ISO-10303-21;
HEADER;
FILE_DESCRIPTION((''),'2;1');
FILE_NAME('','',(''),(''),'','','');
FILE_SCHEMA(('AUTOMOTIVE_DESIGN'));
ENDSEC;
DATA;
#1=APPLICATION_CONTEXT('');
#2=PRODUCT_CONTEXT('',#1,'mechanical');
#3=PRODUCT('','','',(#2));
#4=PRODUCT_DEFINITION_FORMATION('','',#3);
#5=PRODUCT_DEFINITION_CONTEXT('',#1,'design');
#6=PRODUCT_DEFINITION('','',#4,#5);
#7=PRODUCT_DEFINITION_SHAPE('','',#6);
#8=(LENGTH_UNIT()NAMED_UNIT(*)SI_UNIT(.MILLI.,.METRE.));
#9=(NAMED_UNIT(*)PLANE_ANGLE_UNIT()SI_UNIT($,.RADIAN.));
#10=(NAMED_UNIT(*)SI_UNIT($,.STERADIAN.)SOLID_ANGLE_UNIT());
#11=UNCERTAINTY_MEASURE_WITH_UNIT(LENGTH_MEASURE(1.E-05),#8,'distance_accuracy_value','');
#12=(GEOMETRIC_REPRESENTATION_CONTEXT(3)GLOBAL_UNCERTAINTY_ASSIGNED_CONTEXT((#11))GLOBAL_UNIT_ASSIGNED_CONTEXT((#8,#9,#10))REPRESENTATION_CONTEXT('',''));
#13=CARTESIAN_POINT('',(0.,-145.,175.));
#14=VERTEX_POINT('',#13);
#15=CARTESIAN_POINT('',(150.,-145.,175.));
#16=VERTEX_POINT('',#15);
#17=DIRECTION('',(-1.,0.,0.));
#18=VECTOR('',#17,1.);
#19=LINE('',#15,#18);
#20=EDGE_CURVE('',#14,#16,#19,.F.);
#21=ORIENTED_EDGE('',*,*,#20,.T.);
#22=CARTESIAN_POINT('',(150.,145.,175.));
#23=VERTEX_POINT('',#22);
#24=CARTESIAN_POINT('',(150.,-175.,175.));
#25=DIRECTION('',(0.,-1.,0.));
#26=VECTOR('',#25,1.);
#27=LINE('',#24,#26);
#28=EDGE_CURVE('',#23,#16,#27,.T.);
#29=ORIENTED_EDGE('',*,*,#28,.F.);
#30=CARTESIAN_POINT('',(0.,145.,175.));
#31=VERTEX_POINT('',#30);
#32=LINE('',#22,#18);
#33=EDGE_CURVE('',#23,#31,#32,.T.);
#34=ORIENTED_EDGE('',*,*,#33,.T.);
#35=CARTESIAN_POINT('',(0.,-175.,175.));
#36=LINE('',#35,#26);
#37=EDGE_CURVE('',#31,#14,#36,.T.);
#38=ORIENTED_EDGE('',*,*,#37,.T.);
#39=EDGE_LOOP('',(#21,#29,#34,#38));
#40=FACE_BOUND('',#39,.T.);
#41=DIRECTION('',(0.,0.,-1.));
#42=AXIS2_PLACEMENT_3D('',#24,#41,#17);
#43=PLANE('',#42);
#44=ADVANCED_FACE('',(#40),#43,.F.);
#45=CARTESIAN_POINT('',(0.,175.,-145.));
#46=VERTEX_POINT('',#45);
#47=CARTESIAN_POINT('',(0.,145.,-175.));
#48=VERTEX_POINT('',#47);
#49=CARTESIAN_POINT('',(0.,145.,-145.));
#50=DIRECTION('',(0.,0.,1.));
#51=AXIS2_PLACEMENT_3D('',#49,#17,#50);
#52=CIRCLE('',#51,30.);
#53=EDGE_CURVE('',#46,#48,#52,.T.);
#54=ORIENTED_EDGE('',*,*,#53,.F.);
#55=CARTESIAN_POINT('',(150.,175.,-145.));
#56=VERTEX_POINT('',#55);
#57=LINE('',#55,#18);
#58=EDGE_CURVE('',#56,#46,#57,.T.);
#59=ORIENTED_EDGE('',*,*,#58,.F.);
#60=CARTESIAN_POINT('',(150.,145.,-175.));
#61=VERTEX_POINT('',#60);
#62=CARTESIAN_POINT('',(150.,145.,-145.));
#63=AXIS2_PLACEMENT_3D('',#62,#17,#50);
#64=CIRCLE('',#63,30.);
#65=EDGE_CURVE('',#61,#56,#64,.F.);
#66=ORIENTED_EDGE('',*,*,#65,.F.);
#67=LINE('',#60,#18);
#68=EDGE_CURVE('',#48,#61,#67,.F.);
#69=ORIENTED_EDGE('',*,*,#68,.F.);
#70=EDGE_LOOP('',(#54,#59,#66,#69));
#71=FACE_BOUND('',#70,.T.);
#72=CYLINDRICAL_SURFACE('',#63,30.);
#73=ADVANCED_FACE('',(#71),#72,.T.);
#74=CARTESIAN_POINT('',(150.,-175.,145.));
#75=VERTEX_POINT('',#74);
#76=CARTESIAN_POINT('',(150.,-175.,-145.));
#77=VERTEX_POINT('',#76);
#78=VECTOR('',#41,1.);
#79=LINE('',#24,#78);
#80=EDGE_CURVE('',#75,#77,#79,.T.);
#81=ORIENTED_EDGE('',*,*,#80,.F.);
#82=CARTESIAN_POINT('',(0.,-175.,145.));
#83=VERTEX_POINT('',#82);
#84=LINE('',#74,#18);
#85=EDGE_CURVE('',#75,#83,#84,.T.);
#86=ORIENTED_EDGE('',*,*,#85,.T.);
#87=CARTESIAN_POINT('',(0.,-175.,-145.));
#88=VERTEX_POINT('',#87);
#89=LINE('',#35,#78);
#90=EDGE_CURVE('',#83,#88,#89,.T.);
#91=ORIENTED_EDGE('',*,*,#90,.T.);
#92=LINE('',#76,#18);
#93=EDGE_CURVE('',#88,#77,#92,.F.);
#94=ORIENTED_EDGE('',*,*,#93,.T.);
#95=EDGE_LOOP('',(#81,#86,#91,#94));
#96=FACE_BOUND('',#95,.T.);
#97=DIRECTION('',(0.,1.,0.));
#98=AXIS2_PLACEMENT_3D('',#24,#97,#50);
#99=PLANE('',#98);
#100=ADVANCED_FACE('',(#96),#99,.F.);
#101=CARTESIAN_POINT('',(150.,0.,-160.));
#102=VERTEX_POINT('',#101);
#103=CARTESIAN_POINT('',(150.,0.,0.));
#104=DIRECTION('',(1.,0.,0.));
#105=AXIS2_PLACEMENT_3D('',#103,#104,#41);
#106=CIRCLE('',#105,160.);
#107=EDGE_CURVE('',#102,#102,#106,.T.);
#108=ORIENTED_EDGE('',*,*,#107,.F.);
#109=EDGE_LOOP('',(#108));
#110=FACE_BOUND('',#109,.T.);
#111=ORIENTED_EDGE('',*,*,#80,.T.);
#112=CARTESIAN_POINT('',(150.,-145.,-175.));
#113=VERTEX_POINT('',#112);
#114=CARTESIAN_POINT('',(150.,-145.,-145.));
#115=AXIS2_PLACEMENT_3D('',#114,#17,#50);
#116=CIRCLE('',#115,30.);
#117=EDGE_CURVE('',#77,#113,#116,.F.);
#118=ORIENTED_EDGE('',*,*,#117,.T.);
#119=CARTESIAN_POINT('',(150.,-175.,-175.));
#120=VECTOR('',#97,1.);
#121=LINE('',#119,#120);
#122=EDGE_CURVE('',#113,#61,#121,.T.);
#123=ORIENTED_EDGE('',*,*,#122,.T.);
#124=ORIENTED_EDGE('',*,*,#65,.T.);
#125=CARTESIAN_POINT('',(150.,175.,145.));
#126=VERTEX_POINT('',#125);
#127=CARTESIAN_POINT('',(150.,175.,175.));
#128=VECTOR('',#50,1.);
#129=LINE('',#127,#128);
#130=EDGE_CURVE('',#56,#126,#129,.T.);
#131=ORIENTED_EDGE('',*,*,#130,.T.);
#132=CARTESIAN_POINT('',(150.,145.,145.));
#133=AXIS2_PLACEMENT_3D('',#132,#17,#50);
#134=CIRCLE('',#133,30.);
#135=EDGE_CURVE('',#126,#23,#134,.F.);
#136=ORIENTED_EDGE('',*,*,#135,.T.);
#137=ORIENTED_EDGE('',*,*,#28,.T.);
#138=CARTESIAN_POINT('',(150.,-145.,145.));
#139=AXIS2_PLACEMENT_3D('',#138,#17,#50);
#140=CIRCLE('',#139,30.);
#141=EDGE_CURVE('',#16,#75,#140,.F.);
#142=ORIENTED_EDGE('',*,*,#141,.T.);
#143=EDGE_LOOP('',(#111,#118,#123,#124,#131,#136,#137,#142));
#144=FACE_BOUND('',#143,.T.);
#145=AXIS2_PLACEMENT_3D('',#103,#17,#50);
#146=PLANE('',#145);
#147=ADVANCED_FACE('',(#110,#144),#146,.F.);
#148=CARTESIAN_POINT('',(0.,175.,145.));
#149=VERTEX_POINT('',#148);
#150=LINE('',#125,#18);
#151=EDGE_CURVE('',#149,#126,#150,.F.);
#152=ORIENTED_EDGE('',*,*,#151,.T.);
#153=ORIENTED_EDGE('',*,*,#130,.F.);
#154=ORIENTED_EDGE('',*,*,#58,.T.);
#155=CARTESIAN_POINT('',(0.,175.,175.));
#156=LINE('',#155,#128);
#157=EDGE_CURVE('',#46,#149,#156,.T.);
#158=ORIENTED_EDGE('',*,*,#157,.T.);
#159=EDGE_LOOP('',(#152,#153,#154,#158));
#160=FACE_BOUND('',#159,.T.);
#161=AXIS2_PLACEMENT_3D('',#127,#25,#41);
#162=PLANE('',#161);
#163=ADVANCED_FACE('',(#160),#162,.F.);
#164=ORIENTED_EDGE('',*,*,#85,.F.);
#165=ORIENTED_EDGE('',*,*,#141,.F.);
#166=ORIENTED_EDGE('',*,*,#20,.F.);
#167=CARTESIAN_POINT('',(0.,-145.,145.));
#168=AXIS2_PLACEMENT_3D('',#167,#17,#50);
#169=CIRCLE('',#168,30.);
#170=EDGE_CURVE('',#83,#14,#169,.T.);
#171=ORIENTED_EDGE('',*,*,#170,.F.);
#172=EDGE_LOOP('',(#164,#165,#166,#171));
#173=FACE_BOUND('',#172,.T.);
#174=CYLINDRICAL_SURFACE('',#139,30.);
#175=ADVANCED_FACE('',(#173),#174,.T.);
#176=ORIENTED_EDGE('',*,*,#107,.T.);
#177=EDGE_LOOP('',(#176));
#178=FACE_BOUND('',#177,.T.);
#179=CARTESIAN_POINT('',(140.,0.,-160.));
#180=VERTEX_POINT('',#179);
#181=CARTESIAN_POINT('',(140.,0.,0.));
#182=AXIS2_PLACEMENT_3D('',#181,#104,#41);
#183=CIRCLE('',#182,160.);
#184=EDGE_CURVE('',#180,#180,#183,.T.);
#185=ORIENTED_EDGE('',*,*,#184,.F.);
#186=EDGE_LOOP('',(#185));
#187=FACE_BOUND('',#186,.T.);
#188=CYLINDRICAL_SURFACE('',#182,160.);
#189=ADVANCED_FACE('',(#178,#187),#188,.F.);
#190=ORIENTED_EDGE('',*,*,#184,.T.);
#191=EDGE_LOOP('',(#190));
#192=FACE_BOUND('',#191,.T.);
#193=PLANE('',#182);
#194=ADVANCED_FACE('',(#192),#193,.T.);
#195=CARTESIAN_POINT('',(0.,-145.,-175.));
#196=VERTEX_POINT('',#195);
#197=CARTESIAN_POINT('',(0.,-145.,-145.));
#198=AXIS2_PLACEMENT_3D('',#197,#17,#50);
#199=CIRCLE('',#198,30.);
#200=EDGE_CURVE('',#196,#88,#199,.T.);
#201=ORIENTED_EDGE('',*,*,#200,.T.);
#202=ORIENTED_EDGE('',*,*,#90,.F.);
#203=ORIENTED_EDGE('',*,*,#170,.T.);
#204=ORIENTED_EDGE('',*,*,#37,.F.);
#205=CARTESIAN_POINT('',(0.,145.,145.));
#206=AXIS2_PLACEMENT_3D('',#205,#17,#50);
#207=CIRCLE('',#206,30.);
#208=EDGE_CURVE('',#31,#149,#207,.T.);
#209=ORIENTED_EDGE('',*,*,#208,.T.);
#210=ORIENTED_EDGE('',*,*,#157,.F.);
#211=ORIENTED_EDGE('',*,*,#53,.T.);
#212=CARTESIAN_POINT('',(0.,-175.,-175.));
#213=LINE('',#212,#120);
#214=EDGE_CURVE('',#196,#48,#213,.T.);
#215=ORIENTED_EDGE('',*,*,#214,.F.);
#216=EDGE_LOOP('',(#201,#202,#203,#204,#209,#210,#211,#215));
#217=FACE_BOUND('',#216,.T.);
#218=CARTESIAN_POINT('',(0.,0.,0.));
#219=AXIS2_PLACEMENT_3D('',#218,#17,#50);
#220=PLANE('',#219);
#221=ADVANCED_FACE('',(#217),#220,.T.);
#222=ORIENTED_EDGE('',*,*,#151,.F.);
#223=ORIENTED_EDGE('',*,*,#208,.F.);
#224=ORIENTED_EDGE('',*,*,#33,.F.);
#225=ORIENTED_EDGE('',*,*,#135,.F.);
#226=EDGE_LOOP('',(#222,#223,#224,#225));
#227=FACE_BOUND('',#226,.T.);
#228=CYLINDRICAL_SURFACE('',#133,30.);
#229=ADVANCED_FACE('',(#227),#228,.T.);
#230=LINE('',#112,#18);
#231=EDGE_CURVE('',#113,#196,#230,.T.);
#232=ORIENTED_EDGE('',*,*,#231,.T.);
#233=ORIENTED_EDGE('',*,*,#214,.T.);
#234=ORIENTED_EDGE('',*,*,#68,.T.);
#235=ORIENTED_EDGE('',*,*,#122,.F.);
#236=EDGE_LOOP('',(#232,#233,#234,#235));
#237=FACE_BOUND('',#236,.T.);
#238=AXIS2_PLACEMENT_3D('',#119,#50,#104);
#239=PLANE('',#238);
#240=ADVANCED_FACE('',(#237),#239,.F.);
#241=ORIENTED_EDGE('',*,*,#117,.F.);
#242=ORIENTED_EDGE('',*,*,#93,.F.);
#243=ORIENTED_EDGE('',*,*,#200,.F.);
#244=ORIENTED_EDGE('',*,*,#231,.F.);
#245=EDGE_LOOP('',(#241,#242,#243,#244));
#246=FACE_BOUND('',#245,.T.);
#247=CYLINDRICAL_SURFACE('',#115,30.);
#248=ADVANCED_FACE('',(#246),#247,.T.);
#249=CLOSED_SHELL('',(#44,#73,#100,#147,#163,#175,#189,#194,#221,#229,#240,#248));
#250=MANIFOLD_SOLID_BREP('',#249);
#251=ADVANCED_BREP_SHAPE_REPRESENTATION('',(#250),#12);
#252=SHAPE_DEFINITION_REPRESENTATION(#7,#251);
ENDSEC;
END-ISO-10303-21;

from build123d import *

# Parameters (mm, degrees)
IZIM1_W                     = 350
IZIM1_H                     = 350
Y_KSEKLIK_EKSTR_ZYON1_DEPTH = 150
IZIM2_R                     = 160
KES_EKSTR_ZYON1_DEPTH       = 10
RADYUS1_R                   = 30


with BuildPart() as part:
    # Çizim1 → Yükseklik-Ekstrüzyon1 (new body)
    with BuildSketch(Plane(origin=(0, 0, 0), x_dir=(0, 0, -1), z_dir=(1, 0, 0))):
        Rectangle(IZIM1_W, IZIM1_H)
    extrude(amount=Y_KSEKLIK_EKSTR_ZYON1_DEPTH)

    # Çizim2 → Kes-Ekstrüzyon1 (cut)
    with BuildSketch(Plane(origin=(150, 0, 0), x_dir=(0, 0, -1), z_dir=(1, 0, 0))):
        Circle(IZIM2_R)
    extrude(amount=-KES_EKSTR_ZYON1_DEPTH, mode=Mode.SUBTRACT)

    # Radyus1
    radyus1_edges = [part.edges().sort_by_distance(p)[0] for p in [
        (75, -175, -175),
        (75, -175, 175),
        (75, 175, 175),
        (75, 175, -175),
    ]]
    fillet(radyus1_edges, radius=RADYUS1_R)


solid = part.part
